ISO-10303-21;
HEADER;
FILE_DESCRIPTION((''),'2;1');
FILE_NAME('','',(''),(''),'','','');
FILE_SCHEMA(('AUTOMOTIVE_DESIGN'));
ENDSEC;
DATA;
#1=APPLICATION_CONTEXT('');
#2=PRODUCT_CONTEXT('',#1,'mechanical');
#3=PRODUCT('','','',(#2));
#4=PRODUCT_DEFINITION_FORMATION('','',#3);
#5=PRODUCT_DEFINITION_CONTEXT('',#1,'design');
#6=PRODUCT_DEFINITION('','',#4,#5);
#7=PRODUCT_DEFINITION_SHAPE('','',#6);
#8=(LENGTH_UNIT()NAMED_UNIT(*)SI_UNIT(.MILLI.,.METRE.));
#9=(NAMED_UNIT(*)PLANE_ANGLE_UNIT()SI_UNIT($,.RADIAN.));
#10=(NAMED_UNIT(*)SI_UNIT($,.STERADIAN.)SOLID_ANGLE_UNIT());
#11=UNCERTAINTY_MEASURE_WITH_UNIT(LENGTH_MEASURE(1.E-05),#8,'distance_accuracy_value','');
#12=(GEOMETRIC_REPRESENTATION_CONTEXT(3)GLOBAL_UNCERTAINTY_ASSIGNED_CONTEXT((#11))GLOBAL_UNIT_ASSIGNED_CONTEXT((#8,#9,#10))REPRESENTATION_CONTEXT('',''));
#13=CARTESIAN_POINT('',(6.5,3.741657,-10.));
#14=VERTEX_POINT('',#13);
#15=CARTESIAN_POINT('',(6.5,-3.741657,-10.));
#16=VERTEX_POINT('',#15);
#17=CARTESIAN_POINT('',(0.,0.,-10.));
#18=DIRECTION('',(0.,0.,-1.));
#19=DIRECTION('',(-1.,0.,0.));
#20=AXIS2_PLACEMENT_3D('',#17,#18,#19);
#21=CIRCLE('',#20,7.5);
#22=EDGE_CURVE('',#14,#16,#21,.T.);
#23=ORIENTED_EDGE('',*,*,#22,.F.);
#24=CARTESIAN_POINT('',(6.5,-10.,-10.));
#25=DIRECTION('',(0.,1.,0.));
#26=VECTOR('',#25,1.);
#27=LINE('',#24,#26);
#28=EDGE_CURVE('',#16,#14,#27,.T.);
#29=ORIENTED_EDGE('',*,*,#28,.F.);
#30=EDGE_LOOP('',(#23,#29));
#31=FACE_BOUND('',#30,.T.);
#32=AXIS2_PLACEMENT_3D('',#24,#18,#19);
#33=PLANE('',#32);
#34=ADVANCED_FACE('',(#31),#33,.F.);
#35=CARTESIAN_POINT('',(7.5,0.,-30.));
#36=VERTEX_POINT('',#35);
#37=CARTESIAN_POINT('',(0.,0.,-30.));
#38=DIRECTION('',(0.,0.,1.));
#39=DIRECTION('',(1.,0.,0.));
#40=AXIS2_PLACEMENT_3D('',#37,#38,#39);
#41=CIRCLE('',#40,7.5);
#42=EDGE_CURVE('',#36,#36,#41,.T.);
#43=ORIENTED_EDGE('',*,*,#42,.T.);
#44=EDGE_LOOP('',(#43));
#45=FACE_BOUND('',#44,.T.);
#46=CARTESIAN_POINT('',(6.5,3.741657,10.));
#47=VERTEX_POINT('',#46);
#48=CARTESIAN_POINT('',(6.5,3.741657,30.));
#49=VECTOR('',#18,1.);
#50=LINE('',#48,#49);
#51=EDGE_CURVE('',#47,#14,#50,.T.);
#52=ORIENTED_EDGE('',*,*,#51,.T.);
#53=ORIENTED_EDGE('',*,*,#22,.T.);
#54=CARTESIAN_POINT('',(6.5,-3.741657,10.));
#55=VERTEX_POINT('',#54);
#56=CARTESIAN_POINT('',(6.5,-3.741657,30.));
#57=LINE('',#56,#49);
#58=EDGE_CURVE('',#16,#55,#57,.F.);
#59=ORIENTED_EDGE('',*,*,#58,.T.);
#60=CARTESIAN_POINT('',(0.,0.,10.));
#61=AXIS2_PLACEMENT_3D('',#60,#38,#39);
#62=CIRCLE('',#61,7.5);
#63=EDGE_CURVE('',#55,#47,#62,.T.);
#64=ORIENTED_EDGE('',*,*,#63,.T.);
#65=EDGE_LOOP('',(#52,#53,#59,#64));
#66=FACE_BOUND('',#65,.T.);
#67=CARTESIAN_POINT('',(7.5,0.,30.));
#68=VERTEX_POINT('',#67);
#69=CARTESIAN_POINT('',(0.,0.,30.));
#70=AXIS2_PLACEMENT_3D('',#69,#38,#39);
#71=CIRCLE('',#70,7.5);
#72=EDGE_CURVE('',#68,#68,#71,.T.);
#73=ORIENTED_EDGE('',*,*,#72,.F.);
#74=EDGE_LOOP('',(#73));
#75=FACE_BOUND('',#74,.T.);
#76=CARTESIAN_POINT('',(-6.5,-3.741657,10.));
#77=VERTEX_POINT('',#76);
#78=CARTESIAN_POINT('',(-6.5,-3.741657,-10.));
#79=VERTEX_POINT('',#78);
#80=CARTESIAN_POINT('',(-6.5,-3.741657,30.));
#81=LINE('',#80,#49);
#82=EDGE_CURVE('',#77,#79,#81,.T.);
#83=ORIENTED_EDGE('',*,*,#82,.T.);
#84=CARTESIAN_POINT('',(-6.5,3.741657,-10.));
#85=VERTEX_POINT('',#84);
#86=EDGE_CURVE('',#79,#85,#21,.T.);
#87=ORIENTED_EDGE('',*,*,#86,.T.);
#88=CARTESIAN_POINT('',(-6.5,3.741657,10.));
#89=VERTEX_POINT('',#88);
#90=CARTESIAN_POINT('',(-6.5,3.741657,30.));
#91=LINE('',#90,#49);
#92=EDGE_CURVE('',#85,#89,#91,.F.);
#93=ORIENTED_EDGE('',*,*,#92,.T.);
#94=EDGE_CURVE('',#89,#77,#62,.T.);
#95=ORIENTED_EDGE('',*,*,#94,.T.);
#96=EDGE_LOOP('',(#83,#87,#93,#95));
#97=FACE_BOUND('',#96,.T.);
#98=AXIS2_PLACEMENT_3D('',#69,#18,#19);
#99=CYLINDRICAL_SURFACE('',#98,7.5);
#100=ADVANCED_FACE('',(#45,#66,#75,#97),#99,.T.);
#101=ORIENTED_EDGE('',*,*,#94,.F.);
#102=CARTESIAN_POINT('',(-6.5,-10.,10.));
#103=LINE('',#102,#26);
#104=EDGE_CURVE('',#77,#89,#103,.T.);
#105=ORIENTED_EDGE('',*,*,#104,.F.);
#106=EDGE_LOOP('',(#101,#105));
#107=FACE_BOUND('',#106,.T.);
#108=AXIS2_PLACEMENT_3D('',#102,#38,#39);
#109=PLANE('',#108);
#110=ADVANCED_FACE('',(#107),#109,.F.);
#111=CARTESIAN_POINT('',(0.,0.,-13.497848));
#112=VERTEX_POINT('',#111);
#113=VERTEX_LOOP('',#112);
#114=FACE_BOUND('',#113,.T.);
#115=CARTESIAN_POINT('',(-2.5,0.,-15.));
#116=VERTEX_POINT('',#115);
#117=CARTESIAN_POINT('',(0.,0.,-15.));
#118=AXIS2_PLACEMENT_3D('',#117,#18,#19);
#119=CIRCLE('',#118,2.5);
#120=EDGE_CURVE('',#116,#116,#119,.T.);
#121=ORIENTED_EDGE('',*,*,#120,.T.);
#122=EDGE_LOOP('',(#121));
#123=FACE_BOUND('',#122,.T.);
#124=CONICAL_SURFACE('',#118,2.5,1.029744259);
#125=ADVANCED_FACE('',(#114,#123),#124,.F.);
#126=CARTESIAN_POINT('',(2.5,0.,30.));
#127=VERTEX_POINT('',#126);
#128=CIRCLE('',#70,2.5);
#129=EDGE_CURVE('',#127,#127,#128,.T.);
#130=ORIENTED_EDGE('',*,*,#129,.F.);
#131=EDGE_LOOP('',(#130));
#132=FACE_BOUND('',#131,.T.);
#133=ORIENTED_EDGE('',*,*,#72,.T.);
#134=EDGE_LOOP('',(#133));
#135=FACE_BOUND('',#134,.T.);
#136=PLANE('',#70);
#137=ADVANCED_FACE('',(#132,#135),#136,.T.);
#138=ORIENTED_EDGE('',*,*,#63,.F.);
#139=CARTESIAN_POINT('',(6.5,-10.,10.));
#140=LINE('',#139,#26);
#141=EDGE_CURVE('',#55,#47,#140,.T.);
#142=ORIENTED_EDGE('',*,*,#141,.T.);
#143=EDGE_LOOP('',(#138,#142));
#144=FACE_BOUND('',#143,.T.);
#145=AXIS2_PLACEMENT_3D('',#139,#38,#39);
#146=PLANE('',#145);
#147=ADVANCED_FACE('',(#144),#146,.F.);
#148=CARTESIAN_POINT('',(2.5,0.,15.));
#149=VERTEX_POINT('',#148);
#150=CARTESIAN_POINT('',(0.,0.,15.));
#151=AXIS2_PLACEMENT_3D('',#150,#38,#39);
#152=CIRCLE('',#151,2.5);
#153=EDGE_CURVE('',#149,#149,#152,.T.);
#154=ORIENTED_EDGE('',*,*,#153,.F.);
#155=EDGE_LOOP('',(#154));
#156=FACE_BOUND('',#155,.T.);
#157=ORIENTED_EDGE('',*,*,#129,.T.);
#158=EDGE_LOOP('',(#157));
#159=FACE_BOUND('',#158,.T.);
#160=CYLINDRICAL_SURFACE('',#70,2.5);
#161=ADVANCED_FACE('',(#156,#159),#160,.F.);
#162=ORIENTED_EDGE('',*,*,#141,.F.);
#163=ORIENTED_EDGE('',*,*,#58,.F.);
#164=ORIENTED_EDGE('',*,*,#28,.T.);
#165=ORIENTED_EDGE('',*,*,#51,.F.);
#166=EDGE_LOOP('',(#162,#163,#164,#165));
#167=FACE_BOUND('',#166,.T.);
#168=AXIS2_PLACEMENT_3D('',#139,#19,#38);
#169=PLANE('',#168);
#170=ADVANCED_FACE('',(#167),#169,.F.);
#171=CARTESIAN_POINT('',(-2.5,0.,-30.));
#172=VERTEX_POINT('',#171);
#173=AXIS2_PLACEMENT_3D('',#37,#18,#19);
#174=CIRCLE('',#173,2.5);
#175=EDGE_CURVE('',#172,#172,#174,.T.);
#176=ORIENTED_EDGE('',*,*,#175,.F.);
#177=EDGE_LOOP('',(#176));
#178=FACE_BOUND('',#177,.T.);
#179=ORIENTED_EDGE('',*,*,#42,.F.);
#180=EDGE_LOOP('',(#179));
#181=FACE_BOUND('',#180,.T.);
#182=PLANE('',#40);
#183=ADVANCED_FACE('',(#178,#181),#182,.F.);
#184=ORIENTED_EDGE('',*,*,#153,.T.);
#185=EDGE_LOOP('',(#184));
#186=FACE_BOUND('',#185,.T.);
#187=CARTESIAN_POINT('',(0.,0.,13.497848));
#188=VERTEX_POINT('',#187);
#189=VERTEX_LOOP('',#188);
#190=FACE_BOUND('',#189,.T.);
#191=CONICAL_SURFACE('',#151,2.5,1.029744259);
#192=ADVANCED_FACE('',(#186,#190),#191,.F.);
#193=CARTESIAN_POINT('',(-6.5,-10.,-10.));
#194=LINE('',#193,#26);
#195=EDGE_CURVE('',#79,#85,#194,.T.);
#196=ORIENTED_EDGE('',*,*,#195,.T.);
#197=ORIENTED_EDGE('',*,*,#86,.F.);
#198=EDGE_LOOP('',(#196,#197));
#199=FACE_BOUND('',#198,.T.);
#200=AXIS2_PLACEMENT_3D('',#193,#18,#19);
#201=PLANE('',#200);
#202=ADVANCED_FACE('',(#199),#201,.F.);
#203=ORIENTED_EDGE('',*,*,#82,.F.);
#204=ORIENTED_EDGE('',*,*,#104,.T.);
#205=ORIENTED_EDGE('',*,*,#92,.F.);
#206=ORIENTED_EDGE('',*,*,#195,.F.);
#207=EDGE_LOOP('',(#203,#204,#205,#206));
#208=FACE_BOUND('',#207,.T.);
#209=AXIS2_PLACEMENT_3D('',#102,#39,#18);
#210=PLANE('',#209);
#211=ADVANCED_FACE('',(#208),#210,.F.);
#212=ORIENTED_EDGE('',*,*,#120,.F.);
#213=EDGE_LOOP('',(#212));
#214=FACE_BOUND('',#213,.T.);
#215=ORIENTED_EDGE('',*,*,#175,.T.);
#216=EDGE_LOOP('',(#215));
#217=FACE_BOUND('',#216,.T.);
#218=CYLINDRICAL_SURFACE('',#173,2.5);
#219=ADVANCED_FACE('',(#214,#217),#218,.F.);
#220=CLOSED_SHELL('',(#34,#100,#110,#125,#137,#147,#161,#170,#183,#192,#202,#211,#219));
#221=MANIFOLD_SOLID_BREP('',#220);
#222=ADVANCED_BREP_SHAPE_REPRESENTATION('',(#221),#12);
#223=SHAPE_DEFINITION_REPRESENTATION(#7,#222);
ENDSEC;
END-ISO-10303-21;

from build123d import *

# Parameters (mm, degrees)
SKETCH_1_R          = 7.5
EXTRUDE_1_DEPTH     = 30
SKETCH_2_W          = 2
SKETCH_2_H          = 20
CUT_EXTRUDE_1_DEPTH = 10


with BuildPart() as part:
    # 草图1 → 凸台-拉伸1 (new body, symmetric)
    with BuildSketch(Plane.XY):
        Circle(SKETCH_1_R)
    extrude(amount=EXTRUDE_1_DEPTH, both=True)

    # 草图2 → 切除-拉伸1 (cut, symmetric)
    with BuildSketch(Plane(origin=(0, 0, 0), x_dir=(1, 0, 0), z_dir=(0, 1, 0))):
        with Locations((-7.5, 0)):
            Rectangle(SKETCH_2_W, SKETCH_2_H)
        with Locations((7.5, 0)):
            Rectangle(SKETCH_2_W, SKETCH_2_H)
    extrude(amount=CUT_EXTRUDE_1_DEPTH, both=True, mode=Mode.SUBTRACT)

    # 草图5 → M6 螺纹孔1 (revolve, cut)
    with BuildSketch(Plane(origin=(0, 0, -30), x_dir=(0, 1, 0), z_dir=(1, 0, 0))):
        Polygon((0, 0), (0, 16.502151548), (2.5, 15), (2.5, 0), align=None)
    hole_wizard_m6_1 = revolve(axis=Axis((0, 0, -36.35), (0, 0, 1)), mode=Mode.SUBTRACT)

    # 镜向1: M6 螺纹孔1 across plane
    add(hole_wizard_m6_1.mirror(Plane.XY), mode=Mode.SUBTRACT)


solid = part.part
